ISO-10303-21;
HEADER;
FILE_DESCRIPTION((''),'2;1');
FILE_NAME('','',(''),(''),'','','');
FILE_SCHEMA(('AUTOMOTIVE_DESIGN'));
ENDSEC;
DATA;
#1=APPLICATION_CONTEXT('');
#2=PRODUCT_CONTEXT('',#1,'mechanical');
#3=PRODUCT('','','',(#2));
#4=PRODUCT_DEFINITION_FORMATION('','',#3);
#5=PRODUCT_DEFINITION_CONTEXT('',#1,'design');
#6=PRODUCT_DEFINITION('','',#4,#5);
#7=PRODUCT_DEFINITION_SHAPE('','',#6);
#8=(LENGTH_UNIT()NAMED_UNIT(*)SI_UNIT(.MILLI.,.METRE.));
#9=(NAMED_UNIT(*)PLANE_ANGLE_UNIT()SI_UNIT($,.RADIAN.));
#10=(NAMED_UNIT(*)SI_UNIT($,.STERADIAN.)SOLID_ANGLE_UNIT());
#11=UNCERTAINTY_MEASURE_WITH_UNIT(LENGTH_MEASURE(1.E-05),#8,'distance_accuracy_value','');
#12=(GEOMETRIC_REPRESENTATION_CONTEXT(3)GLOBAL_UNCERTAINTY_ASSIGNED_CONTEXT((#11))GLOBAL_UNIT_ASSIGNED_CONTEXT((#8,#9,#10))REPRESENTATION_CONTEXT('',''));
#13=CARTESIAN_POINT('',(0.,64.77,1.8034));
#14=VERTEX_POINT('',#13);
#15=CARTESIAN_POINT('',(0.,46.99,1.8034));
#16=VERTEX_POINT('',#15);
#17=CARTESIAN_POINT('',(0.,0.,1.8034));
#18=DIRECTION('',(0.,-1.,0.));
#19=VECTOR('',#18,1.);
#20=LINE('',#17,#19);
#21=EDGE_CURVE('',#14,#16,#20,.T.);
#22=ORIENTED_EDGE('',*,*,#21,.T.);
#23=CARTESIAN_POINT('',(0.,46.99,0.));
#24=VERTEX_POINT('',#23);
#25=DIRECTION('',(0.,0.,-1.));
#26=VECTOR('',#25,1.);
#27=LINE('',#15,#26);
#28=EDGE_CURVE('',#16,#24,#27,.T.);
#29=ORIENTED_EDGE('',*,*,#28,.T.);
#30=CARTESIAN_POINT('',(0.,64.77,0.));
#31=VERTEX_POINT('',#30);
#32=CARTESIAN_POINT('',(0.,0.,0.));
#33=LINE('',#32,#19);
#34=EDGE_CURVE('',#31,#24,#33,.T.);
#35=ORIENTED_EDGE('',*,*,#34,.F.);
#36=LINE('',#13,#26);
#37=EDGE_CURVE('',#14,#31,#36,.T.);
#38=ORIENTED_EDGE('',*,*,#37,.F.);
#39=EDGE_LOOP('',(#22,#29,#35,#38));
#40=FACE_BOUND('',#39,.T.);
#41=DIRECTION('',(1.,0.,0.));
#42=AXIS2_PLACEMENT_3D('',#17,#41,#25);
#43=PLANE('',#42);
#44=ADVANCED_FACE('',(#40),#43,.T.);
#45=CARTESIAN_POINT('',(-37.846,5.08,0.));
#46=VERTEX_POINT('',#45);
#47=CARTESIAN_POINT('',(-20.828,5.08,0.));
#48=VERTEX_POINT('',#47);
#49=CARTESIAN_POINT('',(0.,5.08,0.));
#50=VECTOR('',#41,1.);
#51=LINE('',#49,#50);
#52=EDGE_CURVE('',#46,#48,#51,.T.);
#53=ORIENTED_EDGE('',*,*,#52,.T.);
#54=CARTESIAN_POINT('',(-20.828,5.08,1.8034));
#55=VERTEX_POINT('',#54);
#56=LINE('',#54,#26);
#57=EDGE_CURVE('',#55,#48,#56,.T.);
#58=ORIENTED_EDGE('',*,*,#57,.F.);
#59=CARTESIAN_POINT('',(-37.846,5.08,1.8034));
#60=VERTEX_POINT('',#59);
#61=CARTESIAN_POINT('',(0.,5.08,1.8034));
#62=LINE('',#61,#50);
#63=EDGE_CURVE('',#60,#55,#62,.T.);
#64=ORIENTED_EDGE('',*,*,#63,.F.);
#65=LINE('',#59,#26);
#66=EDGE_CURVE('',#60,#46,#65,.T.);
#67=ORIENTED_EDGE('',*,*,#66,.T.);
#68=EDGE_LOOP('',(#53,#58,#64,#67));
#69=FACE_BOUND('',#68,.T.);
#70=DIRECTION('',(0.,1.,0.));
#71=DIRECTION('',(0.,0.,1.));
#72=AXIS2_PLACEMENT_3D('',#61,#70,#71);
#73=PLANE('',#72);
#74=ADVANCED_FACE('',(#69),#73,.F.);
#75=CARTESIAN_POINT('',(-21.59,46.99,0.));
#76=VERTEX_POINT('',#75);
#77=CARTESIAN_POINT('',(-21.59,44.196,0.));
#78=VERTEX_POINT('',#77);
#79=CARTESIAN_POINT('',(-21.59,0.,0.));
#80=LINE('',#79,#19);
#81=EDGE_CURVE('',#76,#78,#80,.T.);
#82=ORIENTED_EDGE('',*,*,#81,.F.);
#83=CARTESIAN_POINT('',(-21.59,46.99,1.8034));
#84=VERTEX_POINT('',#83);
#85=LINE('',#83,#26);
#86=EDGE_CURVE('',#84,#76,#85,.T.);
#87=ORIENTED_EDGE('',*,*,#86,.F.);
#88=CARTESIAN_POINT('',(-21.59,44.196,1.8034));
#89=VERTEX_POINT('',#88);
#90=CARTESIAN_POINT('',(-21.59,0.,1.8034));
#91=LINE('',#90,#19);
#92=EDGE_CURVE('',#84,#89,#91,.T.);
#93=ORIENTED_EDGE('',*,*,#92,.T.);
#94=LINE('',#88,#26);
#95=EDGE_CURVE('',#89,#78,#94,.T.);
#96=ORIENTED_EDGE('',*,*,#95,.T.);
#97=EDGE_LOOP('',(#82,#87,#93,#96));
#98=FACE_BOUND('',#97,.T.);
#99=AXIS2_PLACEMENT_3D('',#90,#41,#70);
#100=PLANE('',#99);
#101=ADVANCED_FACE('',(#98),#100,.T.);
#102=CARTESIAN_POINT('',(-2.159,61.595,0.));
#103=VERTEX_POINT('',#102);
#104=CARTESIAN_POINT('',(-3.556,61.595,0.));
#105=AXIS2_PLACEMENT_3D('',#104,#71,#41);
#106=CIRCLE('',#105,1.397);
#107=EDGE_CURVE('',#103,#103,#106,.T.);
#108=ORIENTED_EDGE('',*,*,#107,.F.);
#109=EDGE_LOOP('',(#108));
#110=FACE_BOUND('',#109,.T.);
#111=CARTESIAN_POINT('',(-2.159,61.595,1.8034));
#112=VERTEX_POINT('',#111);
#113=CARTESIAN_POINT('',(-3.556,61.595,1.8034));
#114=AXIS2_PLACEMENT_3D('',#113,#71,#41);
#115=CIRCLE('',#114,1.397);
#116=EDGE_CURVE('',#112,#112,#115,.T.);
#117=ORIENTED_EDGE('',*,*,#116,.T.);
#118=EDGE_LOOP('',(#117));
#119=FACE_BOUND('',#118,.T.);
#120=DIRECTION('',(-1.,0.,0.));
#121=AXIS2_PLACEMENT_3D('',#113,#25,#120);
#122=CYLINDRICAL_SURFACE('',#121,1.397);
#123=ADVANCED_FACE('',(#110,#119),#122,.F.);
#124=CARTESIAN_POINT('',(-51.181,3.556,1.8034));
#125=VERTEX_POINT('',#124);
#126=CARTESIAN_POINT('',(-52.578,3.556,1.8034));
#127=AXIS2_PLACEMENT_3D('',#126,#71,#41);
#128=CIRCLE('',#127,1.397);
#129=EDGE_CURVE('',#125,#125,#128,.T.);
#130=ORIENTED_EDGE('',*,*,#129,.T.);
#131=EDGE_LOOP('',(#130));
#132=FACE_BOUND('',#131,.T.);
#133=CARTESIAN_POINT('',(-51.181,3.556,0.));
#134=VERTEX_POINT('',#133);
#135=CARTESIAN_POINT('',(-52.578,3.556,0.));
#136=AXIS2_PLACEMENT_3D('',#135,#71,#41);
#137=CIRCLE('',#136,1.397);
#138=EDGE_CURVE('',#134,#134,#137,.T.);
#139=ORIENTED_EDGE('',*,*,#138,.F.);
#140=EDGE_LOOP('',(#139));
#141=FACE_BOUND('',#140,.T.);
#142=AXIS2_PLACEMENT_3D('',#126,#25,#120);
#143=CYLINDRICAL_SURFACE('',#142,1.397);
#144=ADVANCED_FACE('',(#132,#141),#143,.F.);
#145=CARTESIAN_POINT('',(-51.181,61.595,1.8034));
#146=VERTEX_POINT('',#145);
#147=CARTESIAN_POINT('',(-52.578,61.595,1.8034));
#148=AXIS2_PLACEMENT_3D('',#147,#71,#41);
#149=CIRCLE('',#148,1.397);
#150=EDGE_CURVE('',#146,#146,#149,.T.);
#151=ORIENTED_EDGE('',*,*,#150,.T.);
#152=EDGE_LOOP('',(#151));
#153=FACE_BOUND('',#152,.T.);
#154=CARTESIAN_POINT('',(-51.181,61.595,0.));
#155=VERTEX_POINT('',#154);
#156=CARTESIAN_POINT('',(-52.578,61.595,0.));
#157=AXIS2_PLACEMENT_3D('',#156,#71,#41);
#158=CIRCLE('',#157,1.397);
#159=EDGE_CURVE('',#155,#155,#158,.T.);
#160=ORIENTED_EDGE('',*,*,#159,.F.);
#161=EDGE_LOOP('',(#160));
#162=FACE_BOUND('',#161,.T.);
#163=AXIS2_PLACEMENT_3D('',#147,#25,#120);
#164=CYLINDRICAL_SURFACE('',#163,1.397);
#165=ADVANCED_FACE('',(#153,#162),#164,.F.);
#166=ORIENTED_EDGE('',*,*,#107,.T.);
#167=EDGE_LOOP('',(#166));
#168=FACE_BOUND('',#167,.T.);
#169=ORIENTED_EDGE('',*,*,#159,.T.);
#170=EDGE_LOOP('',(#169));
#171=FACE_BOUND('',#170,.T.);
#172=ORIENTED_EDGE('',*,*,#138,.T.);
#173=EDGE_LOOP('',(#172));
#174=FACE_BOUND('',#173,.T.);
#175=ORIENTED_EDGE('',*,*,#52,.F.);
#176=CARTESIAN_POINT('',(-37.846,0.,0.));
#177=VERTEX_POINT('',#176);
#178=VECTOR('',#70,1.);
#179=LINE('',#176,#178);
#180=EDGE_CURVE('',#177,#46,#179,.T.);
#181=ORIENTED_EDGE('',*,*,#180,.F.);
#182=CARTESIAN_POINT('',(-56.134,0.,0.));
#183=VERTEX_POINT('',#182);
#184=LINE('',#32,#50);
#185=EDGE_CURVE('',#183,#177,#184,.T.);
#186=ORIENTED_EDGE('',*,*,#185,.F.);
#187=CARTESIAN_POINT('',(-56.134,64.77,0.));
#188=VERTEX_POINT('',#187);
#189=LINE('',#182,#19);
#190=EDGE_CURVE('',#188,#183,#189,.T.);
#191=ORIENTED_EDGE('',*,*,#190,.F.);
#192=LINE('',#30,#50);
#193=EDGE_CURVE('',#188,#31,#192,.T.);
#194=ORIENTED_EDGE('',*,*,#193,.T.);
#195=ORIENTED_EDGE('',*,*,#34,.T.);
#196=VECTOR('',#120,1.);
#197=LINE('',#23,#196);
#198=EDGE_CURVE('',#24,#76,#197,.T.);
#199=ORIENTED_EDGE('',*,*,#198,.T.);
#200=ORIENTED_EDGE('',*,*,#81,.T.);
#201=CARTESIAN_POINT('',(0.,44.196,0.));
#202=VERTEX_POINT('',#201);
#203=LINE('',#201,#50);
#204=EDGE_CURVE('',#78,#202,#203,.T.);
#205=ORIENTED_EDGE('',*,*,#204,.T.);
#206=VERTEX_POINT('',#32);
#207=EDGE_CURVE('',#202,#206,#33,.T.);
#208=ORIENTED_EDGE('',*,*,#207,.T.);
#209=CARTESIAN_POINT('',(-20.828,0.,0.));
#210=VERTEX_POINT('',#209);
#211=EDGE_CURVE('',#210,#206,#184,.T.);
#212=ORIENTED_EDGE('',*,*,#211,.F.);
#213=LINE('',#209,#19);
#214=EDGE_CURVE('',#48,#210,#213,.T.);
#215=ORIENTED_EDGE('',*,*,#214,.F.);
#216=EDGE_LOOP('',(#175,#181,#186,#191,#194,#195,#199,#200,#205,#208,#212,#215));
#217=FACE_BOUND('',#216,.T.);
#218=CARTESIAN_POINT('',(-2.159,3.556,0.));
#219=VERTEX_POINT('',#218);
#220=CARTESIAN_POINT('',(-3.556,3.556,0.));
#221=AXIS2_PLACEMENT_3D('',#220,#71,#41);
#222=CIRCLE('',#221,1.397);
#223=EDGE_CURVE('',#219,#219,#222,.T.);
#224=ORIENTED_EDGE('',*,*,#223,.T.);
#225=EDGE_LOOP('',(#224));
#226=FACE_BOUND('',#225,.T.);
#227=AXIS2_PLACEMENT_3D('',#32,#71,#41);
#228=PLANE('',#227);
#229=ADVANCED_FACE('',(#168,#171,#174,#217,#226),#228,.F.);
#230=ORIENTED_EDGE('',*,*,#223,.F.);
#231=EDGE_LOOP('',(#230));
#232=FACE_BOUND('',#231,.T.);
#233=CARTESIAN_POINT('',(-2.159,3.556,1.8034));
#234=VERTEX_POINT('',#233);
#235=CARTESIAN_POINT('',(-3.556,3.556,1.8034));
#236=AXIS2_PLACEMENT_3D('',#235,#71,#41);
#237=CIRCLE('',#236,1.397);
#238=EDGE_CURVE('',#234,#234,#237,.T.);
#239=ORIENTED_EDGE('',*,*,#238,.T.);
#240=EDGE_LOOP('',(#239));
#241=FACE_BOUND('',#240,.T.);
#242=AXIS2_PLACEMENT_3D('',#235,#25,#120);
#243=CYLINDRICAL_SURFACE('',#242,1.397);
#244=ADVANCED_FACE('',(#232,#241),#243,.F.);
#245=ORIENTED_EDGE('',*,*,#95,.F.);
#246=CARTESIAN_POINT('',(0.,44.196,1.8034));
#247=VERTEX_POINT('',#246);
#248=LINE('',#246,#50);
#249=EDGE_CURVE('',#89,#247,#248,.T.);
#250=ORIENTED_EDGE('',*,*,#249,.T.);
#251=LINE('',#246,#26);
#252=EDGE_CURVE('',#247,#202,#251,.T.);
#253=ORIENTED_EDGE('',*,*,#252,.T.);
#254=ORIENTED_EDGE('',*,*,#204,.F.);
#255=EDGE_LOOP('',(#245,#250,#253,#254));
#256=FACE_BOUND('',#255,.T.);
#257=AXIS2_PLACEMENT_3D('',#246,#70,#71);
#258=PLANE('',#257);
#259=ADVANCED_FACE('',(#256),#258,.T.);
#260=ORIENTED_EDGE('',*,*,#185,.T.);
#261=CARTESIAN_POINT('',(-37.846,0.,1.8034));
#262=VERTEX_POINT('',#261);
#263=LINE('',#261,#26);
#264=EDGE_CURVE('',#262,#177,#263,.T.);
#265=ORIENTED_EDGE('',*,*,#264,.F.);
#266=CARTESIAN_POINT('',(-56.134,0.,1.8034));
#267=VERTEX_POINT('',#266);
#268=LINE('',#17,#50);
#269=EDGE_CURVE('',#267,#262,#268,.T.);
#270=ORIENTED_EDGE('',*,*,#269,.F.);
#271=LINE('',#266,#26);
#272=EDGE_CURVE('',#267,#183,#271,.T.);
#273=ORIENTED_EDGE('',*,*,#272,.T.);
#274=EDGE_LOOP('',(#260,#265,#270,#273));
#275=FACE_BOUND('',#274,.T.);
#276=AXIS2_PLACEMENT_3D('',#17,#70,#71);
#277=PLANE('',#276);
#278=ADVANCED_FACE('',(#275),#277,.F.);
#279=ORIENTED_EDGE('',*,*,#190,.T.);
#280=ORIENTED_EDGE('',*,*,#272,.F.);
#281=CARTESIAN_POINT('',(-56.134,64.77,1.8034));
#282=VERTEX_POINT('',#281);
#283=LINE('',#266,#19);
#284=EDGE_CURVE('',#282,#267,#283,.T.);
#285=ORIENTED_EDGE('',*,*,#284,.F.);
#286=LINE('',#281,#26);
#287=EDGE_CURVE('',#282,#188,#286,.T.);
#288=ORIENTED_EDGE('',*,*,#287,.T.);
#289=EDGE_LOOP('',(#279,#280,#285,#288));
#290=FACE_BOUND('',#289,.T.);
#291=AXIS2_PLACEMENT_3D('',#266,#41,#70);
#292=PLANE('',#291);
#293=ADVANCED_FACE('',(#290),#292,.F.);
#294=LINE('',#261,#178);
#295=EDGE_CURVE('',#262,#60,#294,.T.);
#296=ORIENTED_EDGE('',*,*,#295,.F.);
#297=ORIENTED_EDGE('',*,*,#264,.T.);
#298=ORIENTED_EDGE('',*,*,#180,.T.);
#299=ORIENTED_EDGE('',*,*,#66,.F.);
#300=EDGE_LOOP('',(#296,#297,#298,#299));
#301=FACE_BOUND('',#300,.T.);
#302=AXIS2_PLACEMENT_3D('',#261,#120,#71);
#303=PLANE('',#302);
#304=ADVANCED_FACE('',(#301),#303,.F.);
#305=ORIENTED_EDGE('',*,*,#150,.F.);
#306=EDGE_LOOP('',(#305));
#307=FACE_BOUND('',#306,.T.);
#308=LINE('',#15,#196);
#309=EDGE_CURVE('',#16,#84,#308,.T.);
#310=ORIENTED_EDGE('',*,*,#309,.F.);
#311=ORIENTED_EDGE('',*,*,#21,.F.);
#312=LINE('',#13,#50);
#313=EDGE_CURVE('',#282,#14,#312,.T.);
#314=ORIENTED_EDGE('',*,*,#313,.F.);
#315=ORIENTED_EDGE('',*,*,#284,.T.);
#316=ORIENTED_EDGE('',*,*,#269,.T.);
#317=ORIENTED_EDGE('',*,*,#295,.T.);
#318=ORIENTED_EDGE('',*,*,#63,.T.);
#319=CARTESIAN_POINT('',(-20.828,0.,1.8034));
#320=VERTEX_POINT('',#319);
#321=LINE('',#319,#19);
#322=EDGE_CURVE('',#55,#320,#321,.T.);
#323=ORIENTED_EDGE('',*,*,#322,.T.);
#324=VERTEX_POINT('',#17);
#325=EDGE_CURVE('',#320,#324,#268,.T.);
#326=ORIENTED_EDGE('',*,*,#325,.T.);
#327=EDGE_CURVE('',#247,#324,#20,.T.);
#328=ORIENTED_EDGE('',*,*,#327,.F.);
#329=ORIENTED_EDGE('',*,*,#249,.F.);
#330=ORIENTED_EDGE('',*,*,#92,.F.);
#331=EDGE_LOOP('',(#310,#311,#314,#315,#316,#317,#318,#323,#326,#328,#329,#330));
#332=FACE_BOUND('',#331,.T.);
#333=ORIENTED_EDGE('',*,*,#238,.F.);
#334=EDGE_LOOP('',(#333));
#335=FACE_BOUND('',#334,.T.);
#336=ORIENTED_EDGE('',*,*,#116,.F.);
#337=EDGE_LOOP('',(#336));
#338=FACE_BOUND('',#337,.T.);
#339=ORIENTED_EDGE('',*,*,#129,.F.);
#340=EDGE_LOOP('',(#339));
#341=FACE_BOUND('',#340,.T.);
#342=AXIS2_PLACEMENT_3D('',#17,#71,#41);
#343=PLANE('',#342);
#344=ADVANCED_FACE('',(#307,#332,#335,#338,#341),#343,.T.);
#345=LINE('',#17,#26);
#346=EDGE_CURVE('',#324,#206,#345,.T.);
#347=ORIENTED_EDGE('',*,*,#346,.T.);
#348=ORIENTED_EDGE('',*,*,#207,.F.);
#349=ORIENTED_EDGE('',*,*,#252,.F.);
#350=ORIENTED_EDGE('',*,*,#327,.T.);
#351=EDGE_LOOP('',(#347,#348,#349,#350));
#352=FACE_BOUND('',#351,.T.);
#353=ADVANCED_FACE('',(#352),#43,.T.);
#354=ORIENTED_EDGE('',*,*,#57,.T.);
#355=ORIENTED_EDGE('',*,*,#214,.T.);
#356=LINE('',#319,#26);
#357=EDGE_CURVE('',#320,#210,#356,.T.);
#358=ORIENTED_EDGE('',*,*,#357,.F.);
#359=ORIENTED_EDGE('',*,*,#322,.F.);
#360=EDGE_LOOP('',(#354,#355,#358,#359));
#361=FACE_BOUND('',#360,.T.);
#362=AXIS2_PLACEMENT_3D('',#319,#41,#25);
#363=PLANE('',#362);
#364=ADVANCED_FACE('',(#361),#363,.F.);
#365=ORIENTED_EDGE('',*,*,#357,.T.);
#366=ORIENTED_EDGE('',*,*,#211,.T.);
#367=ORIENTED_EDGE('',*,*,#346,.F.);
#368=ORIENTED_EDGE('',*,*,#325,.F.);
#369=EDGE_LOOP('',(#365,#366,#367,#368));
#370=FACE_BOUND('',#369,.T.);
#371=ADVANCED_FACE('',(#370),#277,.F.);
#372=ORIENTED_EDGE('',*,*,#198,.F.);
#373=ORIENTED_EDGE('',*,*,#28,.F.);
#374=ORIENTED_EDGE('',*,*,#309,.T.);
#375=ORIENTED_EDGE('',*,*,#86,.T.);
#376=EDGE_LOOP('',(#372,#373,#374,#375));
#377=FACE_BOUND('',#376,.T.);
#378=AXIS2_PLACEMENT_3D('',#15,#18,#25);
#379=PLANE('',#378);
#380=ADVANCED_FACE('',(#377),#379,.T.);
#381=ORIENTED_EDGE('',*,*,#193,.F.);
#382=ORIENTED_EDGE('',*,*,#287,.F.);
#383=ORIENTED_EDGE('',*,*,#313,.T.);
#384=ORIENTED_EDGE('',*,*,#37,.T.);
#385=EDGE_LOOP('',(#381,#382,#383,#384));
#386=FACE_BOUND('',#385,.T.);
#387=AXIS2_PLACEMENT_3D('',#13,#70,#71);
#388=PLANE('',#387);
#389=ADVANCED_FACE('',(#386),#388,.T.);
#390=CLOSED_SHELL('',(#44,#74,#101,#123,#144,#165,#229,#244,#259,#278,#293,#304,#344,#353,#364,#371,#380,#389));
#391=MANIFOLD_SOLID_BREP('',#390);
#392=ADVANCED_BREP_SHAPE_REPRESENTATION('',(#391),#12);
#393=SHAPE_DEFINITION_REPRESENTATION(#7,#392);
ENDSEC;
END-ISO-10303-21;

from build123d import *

# Parameters (mm, degrees)
SKETCH1_R           = 1.397
BOSS_EXTRUDE1_DEPTH = 1.8034


with BuildPart() as part:
    # Sketch1 → Boss-Extrude1 (new body)
    with BuildSketch(Plane.XY):
        Polygon((0, 64.77), (-56.134, 64.77), (-56.134, 0), (-37.846, 0), (-37.846, 5.08), (-20.828, 5.08), (-20.828, 0), (0, 0), (0, 44.196), (-21.59, 44.196), (-21.59, 46.99), (0, 46.99), align=None)
        with Locations((-52.578, 3.556)):
            Circle(SKETCH1_R, mode=Mode.SUBTRACT)
        with Locations((-3.556, 3.556)):
            Circle(SKETCH1_R, mode=Mode.SUBTRACT)
        with Locations((-52.578, 61.595)):
            Circle(SKETCH1_R, mode=Mode.SUBTRACT)
        with Locations((-3.556, 61.595)):
            Circle(SKETCH1_R, mode=Mode.SUBTRACT)
    extrude(amount=BOSS_EXTRUDE1_DEPTH)


solid = part.part
